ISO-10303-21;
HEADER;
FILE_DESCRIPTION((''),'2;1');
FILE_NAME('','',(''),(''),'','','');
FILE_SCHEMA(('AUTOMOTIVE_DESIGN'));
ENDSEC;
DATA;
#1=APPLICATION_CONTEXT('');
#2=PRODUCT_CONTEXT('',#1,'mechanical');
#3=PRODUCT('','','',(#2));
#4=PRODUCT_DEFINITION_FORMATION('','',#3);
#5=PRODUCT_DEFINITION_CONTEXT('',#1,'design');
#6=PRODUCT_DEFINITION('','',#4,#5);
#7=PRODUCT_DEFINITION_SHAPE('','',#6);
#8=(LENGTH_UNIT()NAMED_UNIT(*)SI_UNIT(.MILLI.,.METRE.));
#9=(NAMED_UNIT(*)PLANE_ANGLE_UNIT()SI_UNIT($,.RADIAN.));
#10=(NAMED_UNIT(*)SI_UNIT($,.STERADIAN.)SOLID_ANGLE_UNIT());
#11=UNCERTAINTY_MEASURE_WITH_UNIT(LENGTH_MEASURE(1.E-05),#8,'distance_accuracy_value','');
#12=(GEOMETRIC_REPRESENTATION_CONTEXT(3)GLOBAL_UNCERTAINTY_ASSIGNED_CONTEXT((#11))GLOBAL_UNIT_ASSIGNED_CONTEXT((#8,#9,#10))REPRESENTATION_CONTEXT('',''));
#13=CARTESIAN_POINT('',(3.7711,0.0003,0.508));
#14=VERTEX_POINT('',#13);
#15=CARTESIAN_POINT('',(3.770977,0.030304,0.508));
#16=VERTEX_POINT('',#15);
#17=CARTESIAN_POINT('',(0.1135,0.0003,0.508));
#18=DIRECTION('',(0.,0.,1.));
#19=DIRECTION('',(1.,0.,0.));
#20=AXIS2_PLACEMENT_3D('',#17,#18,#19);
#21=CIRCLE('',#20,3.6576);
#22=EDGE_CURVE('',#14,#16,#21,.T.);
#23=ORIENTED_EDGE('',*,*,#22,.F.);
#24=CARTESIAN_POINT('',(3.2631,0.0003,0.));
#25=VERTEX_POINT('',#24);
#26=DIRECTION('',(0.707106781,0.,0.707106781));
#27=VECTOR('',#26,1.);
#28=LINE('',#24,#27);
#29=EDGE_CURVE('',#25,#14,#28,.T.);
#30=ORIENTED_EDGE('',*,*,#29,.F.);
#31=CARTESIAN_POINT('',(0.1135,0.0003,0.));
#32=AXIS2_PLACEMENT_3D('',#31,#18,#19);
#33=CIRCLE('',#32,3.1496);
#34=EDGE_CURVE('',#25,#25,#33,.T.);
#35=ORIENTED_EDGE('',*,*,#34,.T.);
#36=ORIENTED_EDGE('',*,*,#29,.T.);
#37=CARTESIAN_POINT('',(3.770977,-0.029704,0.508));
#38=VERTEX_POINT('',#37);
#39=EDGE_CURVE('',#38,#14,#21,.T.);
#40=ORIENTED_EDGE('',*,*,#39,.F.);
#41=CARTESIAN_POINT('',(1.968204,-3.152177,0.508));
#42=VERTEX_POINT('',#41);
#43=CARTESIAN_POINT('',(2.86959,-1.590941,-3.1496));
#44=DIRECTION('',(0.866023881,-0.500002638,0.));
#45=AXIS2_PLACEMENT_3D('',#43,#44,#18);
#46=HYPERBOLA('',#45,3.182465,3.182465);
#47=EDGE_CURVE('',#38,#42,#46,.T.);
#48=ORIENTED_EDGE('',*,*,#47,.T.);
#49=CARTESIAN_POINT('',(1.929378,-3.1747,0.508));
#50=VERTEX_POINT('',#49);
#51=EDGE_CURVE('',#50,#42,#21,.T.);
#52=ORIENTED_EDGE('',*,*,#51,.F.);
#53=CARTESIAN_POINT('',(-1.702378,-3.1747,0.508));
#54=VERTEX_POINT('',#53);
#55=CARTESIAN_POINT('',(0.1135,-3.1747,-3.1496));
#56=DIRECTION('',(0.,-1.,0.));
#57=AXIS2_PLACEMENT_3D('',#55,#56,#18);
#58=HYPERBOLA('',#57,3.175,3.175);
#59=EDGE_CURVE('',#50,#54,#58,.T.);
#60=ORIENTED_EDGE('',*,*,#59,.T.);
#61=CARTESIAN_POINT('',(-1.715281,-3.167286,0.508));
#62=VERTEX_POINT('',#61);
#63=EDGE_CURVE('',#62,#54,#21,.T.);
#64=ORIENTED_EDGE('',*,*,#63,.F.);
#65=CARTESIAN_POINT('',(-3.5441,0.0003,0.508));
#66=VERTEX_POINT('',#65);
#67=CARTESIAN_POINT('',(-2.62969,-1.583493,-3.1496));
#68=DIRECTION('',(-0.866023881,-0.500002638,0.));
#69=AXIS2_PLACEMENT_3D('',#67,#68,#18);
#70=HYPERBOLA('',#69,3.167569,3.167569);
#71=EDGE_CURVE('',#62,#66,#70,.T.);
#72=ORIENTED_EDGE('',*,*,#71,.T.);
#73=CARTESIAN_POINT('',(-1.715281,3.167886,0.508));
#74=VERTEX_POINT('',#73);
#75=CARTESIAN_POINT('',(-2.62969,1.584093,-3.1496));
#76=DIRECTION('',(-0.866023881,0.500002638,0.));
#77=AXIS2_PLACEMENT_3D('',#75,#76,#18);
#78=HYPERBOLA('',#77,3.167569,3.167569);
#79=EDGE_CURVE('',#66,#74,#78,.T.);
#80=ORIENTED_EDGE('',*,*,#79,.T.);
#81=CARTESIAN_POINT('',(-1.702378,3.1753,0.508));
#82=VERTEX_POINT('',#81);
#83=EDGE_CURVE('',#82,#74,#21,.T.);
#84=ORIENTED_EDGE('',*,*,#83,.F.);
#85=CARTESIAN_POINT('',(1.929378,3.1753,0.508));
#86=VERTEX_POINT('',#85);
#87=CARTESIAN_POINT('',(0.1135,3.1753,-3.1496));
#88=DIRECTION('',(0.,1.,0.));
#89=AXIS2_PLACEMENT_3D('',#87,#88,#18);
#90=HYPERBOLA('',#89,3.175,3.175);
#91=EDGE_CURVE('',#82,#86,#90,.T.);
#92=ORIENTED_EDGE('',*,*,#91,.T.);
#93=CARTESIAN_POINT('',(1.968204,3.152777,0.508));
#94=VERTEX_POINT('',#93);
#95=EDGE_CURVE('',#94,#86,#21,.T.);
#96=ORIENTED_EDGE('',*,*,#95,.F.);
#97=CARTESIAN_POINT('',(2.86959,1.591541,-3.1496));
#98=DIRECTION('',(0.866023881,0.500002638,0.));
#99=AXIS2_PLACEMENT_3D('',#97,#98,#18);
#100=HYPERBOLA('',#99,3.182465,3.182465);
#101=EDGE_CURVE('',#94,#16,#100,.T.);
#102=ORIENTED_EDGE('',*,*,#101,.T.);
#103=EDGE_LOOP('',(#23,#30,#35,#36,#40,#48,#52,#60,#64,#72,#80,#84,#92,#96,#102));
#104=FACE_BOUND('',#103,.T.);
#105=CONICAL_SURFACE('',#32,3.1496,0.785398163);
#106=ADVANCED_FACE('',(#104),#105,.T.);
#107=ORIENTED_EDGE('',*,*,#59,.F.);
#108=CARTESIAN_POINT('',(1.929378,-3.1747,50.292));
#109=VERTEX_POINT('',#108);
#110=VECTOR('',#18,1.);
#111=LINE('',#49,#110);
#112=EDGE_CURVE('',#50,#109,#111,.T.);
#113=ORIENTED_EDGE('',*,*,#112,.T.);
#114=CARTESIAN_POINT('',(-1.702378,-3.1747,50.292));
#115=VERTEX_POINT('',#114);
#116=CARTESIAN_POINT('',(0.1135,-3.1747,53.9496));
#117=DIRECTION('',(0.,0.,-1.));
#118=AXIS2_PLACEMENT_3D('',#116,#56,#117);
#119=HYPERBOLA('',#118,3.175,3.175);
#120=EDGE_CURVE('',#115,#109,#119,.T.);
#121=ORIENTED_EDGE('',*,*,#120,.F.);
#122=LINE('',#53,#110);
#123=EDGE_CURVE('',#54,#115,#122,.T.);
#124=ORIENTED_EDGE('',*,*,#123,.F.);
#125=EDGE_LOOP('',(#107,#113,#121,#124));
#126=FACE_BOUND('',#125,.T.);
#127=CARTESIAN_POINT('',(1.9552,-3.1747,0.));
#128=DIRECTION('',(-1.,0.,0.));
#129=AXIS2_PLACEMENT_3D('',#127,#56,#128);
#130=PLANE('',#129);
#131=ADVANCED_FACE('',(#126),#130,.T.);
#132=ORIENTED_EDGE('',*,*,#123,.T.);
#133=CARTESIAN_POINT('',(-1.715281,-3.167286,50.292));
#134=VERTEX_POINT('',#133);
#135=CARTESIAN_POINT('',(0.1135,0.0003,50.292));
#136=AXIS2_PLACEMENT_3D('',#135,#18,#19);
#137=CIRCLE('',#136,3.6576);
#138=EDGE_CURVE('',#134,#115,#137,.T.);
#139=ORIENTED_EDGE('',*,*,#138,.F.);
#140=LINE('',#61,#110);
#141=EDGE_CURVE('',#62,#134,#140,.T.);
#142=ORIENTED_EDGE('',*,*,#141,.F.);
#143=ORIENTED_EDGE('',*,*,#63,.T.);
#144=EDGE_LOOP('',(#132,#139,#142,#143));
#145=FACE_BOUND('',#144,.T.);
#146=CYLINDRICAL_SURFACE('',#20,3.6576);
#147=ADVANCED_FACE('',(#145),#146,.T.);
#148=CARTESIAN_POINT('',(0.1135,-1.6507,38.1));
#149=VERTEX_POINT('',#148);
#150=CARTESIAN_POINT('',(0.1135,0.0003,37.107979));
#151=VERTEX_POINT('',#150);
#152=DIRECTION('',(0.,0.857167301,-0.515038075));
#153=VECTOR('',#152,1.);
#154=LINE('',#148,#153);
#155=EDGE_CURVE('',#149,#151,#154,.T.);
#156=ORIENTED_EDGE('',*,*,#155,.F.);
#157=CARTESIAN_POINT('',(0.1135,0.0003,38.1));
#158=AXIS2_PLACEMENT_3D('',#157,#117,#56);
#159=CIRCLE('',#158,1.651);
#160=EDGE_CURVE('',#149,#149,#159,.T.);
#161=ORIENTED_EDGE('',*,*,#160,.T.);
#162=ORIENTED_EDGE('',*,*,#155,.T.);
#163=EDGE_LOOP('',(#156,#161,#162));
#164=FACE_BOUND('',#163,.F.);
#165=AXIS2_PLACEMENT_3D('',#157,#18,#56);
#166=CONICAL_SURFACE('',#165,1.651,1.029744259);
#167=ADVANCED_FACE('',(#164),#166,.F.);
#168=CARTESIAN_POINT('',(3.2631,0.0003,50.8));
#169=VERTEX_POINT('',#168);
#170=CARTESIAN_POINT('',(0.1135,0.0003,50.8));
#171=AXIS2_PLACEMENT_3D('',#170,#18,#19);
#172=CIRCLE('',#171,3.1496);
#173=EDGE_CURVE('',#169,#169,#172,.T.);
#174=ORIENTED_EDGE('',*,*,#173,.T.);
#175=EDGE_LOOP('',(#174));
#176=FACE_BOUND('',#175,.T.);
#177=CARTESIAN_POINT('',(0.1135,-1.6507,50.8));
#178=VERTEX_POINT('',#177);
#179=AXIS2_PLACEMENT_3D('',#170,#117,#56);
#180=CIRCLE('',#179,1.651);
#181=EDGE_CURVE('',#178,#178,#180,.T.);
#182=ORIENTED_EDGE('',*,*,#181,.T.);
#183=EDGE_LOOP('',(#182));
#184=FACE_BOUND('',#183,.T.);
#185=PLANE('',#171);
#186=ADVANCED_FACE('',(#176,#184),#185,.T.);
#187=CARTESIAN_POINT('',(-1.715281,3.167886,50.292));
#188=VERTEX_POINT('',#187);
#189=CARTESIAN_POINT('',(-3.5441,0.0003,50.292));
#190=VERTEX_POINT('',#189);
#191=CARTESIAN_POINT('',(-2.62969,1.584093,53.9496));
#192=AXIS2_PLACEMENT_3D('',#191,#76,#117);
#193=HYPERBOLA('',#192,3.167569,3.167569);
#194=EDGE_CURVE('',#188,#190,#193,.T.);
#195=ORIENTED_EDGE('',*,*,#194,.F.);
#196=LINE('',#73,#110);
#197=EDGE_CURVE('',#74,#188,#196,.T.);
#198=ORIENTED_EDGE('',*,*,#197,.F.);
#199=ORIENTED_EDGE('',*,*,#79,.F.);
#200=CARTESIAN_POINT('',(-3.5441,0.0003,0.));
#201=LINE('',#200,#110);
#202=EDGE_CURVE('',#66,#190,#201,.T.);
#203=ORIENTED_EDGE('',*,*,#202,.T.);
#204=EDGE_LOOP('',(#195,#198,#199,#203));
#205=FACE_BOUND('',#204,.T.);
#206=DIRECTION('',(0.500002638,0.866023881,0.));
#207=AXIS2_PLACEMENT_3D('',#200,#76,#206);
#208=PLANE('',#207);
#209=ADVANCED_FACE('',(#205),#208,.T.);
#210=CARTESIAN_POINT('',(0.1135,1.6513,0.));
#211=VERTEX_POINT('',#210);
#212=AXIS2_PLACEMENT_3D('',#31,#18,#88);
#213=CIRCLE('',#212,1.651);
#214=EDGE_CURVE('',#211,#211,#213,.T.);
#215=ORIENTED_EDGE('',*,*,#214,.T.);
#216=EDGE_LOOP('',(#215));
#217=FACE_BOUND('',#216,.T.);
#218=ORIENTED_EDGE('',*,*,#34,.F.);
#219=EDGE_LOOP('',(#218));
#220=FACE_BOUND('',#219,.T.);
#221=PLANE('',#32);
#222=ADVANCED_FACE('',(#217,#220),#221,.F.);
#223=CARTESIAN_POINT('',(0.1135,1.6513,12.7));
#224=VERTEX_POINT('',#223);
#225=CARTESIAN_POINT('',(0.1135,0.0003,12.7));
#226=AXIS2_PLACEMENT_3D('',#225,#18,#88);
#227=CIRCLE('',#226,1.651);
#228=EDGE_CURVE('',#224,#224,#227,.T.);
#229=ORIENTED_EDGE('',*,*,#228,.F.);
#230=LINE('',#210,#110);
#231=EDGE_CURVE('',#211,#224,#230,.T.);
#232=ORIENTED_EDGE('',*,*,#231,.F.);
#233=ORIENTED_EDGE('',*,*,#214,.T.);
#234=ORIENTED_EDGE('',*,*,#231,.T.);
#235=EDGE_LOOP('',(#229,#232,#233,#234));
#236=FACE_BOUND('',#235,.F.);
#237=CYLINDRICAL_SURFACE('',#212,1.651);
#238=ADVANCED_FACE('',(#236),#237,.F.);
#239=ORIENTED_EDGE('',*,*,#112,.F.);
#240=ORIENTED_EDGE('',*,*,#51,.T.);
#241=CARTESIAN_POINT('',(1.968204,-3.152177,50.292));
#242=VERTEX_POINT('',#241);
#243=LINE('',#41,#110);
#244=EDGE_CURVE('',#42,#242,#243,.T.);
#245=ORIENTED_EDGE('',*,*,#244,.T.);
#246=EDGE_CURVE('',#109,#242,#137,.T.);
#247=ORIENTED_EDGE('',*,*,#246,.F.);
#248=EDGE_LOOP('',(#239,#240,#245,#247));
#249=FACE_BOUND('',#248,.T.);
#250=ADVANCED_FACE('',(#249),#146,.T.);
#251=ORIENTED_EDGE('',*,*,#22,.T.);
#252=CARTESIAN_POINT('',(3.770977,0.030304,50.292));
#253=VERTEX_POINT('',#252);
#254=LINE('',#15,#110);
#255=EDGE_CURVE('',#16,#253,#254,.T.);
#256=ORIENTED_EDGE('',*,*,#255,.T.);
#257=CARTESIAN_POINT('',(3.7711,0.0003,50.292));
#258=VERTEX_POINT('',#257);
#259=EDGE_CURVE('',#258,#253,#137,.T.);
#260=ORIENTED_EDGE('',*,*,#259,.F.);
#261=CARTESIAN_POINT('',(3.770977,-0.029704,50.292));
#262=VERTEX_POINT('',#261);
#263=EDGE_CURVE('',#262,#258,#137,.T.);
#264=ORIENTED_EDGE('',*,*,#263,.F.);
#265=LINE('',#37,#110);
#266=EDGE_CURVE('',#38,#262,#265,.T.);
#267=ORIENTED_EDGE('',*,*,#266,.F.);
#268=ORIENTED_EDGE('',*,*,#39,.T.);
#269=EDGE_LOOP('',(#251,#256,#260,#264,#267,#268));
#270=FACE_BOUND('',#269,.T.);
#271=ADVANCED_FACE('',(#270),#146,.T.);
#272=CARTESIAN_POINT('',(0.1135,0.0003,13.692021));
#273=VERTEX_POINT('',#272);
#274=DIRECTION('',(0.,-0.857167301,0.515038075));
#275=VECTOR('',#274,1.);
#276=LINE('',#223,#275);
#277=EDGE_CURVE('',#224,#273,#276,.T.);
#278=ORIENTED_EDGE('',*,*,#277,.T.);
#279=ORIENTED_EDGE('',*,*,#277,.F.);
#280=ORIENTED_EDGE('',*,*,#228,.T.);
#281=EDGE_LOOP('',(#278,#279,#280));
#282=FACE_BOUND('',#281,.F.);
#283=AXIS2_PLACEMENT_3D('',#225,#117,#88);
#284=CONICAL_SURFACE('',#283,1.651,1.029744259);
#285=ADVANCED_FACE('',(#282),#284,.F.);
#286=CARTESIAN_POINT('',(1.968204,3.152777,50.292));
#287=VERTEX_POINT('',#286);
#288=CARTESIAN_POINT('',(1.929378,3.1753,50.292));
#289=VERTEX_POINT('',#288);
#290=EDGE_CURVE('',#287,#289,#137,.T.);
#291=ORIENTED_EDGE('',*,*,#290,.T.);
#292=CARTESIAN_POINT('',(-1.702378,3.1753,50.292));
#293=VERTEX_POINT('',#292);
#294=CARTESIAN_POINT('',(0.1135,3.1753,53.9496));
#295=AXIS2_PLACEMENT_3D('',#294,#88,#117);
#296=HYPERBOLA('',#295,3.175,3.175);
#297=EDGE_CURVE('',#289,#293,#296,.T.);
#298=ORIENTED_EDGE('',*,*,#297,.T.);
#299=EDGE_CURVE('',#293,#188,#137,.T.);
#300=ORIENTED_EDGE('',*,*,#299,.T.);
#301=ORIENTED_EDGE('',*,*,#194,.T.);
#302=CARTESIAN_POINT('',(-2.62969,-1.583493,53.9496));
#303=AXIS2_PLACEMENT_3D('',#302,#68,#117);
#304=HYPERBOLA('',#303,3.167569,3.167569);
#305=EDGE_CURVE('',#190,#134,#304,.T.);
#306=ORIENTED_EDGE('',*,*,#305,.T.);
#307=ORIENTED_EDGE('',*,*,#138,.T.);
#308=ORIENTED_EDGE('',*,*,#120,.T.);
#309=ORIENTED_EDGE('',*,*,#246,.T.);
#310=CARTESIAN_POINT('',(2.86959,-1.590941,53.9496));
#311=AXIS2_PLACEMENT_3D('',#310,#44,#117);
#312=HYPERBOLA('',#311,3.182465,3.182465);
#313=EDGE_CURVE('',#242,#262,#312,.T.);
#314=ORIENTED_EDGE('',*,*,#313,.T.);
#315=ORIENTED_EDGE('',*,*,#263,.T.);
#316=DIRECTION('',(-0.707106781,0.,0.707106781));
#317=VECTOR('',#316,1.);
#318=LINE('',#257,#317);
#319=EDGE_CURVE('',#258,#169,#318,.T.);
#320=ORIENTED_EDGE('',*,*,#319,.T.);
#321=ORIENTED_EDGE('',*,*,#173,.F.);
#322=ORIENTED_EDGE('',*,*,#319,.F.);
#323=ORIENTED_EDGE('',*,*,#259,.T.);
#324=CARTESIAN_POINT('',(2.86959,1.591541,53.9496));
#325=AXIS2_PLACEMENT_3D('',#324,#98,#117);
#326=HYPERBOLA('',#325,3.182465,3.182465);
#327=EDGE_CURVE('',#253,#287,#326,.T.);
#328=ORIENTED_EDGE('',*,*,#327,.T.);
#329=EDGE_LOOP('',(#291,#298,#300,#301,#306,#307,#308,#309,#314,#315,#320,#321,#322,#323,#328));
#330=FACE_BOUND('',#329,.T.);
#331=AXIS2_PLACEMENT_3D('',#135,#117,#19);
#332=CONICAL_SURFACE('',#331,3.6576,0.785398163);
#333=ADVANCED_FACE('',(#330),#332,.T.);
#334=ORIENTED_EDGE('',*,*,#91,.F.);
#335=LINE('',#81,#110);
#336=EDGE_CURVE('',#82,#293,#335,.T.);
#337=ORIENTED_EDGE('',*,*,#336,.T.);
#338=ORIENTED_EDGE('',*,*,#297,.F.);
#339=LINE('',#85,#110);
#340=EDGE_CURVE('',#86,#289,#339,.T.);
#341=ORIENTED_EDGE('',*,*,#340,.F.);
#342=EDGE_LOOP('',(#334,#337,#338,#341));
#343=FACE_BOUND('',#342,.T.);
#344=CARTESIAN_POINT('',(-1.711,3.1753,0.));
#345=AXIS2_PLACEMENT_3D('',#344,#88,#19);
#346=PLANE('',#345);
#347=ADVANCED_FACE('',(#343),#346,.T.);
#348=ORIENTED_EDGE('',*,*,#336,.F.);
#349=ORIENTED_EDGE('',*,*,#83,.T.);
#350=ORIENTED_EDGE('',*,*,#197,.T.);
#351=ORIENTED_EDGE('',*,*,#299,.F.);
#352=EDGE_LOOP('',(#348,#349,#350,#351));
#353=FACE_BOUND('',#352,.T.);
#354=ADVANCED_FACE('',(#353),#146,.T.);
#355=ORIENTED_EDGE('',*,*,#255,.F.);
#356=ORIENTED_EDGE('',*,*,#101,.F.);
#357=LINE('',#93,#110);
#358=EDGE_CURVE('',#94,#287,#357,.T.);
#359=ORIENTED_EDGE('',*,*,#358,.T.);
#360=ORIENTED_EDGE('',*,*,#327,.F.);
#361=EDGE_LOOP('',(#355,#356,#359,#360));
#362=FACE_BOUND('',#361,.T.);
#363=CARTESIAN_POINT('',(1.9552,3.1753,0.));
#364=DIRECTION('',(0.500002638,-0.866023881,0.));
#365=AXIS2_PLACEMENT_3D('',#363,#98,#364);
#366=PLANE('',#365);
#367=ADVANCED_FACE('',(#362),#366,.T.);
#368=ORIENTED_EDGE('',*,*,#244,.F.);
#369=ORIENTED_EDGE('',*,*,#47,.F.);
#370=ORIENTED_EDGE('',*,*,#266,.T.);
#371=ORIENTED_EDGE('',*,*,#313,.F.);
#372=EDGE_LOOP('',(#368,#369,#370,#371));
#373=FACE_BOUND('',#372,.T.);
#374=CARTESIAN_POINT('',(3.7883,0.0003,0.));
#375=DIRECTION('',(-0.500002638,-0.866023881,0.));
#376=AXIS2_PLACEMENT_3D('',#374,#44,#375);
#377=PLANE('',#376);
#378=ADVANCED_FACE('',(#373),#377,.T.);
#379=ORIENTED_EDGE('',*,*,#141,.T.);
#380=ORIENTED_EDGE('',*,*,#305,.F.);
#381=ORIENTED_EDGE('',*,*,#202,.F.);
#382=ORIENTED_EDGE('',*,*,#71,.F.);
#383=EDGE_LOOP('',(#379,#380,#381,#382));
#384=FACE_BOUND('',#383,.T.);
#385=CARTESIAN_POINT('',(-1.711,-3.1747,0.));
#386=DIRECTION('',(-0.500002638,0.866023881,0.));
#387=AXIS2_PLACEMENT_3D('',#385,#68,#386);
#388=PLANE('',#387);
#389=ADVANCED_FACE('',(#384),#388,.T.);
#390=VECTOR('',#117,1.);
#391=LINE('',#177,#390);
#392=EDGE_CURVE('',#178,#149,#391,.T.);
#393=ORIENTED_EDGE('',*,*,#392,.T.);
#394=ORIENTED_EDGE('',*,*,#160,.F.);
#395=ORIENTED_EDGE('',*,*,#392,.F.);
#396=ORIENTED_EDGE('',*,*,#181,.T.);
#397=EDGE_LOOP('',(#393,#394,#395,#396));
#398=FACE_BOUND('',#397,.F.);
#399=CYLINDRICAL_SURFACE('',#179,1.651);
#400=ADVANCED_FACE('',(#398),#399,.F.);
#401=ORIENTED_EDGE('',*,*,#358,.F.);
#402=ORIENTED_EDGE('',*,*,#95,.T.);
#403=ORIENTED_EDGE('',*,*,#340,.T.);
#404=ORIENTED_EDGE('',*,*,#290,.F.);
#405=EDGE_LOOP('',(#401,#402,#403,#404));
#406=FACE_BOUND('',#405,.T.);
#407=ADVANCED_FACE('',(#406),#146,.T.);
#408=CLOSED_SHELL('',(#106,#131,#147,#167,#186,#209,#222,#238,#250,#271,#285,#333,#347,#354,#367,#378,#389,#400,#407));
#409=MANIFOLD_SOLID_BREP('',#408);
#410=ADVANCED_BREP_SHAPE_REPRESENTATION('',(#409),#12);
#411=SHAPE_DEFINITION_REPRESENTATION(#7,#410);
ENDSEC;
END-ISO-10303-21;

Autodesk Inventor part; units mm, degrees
ref_plane "YZ Plane" through (0, 0, 0) normal (1, 0, 0) x (0, 1, 0)
ref_plane "XZ Plane" through (0, 0, 0) normal (0, 1, 0) x (-1, 0, 0)
sketch "Sketch1" plane through (0, 0, 0) normal (0, 0, 1) x (1, 0, 0)
  line L0 (1.9552, -3.1747) -> (-1.711, -3.1747)
  line L1 (-1.711, -3.1747) -> (-3.5441, 0.0003)
  line L2 (-3.5441, 0.0003) -> (-1.711, 3.1753)
  line L3 (-1.711, 3.1753) -> (1.9552, 3.1753)
  line L4 (1.9552, 3.1753) -> (3.7883, 0.0003)
  line L5 (3.7883, 0.0003) -> (1.9552, -3.1747)
  point P0 (0.1221, 0.0003)
  dimension "d0" = 6.35
extrude "Extrusion1" add sketch "Sketch1" along normal blind 50.8
ref_plane "Work Plane1" through (-1.711, 0.0003, 0) normal (0, 1, 0) x (1, 0, 0)
sketch "Sketch3" plane through (-1.711, 0.0003, 0) normal (0, 1, 0) x (1, 0, 0)
  line L0 (-1.3251, 0) -> (4.9741, 0)
  line L1 (5.4821, -0.508) -> (5.4821, -50.292)
  line L2 (4.9741, -50.8) -> (-1.3251, -50.8)
  line L3 (-1.8331, -50.292) -> (-1.8331, -0.508)
  line L4 (-1.8331, -0.508) -> (-1.3251, 0)
  line L5 (4.9741, 0) -> (5.4821, -0.508)
  line L6 (-1.3251, -50.8) -> (-1.8331, -50.292)
  line L7 (5.4821, -50.292) -> (4.9741, -50.8)
  line L8 (-1.8331, 0) -> (-1.8331, -50.8) projected
  line L9 (3.6662, 0) -> (5.4993, 0) projected
  line L10 (1.8245, 0) -> (1.8245, -50.8)
  point P0 (-1.8331, 0)
  point P1 (5.4821, -50.8)
  point P2 (5.4821, 0)
  point P3 (-1.8331, -50.8)
  dimension "d5" = 0.508
  dimension "d6" = 0.508
  dimension "d7" = 0.508
  dimension "d8" = 0.508
  dimension "d9" = 0.508
  dimension "d10" = 0.508
  dimension "d11" = 0.508
  dimension "d12" = 0.508
  dimension "d13" = 7.3152
  dimension "d14" = 0
  dimension "d15" = 50.8
  dimension "d16" = 0
revolve "Revolution1" cut sketch "Sketch3" angle 360 about axis through (0.1135, 0.0003, 0) along (0, 0, 1) keep common part contours L0 L5 L1 L7 L2 L10
sketch "Sketch5" plane through (0.1135, 0.0003, 50.8) normal (0, 0, 1) x (1, 0, 0)
  circle A0 centre (0, 0) radius 3.1496 projected
hole "Hole2" at (0.1135, 0.0003, 50.8) at (0.1135, 0.0003, 50.8) direction (0, 0, -1) diameter 3.302 depth 12.7 tip angle 118 thread size "8-32 UNC" class "2B" standard "ANSI Unified Screw Threads"
sketch "Sketch6" plane through (0.1135, 0.0003, 0) normal (0, 0, -1) x (-1, 0, 0)
  circle A0 centre (0, 0) radius 3.1496 projected
hole "Hole3" at (0.1135, 0.0003, 0) direction (0, 0, 1) diameter 3.302 depth 12.7 tip angle 118 thread size "8-32 UNC" class "2B" standard "ANSI Unified Screw Threads"
equation "\"d6\" = d5"
equation "\"d7\" = d5"
equation "\"d8\" = d7"
equation "\"d9\" = d5"
equation "\"d10\" = d9"
equation "\"d11\" = d5"
equation "\"d12\" = d11"
properties part number "275-1018" material "Steel"
